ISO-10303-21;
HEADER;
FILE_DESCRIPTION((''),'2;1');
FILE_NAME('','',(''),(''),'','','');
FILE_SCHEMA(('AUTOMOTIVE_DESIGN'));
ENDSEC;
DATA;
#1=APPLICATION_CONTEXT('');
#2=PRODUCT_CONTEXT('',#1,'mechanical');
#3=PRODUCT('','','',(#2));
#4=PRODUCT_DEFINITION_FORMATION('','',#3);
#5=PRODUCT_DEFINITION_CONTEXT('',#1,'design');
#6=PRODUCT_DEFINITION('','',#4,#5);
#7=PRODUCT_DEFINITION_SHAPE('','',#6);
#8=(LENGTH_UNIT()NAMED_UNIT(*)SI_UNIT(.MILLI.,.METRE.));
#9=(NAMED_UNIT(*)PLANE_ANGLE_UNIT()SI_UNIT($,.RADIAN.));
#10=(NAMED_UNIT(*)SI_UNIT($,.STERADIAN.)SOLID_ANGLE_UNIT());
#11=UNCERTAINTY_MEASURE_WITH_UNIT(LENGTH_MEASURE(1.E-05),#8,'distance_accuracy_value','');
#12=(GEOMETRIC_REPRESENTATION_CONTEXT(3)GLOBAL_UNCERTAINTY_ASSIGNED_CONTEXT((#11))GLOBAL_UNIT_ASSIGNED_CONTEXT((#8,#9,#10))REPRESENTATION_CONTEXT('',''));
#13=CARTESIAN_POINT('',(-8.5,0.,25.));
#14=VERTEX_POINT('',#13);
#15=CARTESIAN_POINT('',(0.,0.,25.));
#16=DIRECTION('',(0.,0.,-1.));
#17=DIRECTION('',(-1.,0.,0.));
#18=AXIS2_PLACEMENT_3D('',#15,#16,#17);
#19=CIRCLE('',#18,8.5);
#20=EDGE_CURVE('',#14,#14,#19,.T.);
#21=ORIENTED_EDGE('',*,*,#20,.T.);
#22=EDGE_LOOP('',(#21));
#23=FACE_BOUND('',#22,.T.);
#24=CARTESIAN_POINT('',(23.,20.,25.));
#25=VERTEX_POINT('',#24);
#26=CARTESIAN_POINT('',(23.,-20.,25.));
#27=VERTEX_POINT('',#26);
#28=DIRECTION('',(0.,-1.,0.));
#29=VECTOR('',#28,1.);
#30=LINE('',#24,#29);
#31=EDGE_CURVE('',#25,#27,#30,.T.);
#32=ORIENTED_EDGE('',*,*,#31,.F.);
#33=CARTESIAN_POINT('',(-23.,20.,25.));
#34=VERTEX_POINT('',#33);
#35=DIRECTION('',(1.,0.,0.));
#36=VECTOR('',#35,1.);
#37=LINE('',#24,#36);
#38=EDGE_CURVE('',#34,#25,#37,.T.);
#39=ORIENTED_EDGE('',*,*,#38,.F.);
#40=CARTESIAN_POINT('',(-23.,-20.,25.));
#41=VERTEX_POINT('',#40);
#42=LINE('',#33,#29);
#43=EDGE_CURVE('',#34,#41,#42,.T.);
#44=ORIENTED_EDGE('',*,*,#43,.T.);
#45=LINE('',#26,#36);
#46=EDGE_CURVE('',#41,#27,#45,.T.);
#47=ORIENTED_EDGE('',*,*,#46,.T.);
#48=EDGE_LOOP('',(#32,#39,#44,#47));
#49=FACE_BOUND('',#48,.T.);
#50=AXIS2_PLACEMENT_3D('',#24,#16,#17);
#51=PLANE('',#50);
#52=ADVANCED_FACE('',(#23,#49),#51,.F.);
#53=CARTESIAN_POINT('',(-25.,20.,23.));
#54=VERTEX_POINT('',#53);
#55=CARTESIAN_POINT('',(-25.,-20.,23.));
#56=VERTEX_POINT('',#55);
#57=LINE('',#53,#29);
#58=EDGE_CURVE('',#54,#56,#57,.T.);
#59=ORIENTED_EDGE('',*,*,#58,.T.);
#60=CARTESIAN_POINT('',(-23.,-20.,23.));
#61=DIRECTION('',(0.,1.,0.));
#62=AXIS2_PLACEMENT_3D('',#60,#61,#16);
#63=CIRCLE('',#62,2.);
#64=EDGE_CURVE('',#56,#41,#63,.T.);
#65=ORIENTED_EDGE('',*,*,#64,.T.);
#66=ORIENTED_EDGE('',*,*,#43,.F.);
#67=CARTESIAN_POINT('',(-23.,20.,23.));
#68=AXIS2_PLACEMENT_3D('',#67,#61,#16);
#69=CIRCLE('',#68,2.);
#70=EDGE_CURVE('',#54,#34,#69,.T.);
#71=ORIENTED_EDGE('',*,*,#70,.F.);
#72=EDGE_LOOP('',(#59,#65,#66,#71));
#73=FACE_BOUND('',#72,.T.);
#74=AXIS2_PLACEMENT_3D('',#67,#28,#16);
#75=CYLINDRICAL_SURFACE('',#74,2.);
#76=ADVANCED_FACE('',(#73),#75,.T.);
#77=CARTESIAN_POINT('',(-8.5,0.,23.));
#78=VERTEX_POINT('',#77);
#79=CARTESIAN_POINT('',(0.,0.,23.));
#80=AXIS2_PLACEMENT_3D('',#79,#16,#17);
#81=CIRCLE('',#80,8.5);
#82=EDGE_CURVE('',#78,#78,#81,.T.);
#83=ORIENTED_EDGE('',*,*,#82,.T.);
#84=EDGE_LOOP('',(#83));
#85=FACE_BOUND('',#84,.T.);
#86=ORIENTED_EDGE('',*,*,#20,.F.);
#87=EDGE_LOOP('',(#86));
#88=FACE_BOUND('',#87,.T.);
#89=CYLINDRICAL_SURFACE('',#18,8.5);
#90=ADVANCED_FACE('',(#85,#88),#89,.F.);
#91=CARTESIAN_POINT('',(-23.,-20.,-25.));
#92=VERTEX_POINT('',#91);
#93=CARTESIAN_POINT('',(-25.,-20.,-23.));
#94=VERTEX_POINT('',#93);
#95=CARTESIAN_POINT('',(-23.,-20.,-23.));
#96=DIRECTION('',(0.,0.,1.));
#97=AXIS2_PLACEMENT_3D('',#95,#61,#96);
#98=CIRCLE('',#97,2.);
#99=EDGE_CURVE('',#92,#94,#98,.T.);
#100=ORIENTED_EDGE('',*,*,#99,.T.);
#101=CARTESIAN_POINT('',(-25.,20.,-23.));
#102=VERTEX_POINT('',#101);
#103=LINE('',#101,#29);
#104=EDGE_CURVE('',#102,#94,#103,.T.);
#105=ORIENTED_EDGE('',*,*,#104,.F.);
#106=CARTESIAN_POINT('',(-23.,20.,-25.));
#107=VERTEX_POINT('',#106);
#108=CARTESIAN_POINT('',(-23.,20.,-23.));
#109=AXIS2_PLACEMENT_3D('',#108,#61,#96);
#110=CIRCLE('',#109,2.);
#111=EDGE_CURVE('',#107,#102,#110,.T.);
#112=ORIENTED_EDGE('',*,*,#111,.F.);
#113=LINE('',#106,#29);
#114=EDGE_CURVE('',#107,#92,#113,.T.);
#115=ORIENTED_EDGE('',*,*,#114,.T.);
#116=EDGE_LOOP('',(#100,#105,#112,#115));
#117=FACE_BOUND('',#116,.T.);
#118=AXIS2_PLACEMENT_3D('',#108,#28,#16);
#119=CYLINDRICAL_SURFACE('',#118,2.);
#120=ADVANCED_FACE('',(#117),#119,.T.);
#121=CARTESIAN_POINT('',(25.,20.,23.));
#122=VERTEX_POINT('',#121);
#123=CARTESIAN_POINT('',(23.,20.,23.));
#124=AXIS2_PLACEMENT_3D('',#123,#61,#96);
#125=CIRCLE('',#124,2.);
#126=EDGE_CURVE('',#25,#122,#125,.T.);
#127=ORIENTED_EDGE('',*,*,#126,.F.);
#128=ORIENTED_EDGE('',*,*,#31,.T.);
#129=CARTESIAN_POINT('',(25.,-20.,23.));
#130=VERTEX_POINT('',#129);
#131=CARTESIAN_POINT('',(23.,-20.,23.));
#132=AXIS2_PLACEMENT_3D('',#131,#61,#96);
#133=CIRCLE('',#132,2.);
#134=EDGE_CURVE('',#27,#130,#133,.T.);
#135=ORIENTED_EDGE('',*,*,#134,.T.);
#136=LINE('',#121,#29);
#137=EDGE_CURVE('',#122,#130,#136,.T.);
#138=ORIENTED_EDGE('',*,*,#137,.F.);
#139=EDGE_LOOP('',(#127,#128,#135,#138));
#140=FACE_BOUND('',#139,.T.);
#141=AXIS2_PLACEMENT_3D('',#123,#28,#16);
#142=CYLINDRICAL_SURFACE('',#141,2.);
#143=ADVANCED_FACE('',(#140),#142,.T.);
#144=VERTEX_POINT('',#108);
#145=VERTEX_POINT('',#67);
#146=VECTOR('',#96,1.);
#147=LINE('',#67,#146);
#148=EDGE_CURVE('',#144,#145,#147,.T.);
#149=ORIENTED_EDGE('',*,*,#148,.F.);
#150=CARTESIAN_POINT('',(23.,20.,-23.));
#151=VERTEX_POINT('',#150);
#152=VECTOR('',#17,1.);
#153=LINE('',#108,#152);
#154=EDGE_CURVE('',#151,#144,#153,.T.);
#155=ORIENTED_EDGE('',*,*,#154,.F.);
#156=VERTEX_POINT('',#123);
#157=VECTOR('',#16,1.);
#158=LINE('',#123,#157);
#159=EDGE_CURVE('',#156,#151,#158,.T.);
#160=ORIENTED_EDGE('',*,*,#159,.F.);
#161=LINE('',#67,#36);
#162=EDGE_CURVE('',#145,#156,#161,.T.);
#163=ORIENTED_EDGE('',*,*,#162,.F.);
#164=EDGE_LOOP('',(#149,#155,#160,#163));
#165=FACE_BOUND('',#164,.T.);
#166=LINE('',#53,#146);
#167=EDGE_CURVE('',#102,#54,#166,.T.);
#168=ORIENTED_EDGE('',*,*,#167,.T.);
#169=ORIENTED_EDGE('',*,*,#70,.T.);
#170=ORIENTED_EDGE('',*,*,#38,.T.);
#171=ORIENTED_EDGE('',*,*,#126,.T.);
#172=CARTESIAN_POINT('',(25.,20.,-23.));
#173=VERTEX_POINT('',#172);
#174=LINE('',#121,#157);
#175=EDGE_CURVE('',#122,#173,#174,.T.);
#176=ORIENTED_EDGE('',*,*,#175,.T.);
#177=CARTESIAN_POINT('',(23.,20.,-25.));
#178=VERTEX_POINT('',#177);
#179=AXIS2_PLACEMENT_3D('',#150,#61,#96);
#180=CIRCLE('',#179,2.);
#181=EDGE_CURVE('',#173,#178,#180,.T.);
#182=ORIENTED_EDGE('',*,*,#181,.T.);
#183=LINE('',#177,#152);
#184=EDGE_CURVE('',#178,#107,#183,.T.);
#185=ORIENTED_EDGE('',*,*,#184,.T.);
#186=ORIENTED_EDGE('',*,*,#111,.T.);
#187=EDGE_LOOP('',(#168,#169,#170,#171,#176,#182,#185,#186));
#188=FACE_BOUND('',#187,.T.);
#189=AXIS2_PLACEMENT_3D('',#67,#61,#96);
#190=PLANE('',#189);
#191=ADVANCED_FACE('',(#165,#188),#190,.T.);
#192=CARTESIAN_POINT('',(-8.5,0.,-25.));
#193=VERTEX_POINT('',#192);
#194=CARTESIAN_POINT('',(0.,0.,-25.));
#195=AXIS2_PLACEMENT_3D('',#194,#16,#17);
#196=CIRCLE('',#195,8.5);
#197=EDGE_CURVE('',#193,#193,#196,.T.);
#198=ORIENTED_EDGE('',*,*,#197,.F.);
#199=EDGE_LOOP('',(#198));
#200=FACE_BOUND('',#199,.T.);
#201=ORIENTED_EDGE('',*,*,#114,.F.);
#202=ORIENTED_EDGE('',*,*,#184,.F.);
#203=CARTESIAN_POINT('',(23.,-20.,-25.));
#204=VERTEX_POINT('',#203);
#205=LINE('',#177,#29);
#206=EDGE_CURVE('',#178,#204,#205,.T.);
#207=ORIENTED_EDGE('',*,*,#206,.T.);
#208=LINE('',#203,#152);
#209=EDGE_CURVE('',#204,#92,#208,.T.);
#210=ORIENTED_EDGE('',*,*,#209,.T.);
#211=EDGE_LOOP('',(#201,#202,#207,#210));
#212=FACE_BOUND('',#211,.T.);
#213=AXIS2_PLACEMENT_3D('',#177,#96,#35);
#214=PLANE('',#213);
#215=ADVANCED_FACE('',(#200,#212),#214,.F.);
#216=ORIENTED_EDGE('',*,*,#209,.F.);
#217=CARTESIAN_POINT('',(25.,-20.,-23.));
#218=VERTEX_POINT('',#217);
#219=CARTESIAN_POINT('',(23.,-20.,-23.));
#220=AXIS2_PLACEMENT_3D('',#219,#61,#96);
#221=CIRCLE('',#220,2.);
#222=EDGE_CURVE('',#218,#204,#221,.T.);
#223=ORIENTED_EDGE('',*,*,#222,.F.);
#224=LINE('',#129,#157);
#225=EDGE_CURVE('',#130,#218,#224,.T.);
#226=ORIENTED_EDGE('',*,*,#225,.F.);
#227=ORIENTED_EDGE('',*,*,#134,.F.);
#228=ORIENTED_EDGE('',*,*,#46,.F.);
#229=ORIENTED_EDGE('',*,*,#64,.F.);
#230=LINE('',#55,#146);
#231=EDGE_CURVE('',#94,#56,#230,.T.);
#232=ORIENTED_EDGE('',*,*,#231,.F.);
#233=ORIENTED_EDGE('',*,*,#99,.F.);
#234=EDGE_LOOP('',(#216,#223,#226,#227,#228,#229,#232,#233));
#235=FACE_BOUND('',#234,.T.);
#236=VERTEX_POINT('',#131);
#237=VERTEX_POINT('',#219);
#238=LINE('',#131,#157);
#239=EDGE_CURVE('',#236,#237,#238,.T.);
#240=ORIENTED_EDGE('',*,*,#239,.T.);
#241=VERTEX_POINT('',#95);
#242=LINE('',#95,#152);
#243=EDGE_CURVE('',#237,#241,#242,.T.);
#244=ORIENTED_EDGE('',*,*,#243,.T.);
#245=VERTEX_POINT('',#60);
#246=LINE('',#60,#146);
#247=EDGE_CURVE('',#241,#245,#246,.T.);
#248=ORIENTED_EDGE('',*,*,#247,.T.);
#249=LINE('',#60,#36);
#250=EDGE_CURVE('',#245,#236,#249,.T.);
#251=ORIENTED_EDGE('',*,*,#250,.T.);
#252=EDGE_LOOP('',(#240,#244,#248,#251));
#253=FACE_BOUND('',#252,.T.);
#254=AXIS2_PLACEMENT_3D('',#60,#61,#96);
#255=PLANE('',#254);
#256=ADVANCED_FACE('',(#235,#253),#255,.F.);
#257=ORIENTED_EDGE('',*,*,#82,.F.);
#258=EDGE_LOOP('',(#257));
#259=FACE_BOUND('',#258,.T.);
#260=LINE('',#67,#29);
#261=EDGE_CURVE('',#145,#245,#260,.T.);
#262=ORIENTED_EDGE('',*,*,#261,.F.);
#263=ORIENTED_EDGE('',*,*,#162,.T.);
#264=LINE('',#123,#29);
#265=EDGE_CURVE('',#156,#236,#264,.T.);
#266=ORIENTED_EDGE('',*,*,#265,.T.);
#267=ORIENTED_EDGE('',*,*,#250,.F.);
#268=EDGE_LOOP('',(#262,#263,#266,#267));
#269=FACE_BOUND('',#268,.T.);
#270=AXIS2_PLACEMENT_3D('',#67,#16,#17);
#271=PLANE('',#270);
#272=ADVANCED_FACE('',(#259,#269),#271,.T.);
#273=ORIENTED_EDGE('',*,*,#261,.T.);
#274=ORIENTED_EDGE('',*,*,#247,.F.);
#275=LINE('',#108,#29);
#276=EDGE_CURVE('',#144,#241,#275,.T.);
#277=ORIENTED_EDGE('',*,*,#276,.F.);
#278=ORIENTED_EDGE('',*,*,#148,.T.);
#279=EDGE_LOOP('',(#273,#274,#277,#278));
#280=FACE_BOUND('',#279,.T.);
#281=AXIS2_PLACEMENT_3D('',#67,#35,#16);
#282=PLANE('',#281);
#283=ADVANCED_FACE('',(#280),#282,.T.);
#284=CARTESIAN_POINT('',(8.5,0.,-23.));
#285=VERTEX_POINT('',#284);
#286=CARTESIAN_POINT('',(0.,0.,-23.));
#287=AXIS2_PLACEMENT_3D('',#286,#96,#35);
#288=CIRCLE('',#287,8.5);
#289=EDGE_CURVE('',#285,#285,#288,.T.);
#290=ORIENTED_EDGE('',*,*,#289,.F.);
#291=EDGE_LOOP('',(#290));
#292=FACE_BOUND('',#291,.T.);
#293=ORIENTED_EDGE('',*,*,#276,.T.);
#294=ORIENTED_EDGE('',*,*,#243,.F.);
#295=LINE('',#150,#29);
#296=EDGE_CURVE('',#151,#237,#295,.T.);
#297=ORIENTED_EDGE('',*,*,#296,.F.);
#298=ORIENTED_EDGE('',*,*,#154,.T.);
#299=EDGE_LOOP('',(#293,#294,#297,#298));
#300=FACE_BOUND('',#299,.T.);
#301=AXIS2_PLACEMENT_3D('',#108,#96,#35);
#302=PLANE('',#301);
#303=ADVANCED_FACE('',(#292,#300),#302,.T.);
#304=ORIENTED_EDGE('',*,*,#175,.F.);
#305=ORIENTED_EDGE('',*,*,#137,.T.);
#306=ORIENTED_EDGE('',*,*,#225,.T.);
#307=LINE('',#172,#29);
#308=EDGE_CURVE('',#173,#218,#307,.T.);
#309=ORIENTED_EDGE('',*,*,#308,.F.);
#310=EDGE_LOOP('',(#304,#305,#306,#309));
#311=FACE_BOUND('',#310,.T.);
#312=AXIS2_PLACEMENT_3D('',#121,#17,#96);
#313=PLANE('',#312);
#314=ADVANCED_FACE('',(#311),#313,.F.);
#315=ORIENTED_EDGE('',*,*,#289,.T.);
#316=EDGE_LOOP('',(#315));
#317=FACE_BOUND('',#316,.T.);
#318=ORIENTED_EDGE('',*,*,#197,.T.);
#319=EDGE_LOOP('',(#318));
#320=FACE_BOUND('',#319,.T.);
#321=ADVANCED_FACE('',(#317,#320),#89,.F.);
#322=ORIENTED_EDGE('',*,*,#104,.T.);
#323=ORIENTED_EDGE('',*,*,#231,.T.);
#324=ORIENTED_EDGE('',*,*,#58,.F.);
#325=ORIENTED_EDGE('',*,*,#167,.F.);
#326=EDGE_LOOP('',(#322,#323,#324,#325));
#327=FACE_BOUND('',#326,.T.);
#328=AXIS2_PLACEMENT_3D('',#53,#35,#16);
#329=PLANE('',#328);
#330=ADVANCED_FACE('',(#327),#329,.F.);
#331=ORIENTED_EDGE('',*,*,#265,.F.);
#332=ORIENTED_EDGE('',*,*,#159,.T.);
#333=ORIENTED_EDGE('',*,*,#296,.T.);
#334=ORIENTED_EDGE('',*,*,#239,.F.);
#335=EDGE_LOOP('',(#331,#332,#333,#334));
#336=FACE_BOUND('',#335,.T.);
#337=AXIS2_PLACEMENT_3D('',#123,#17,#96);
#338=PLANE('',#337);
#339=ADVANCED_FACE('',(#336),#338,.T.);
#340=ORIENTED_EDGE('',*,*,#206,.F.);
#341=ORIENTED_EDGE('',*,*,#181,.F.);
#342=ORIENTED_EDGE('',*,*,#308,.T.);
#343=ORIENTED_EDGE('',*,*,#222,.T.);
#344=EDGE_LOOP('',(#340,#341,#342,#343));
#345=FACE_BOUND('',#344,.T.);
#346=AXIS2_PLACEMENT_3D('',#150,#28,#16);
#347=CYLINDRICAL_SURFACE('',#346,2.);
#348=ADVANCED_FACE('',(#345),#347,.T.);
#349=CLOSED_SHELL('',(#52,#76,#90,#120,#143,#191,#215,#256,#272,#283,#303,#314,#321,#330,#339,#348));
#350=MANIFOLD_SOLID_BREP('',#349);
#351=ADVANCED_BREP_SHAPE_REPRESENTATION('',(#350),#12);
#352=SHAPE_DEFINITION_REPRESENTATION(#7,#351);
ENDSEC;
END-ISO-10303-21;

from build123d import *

# Parameters (mm, degrees)
SKETCH1_W               = 46
SKETCH1_H               = 46
EXTRUDE_THIN1_DEPTH     = 20
CUT_EXTRUDE1_DEPTH      = 58.697486947
CUT_EXTRUDE1_DEPTH_BACK = 58.697486947
SKETCH2_R               = 8.5


with BuildPart() as part:
    # Sketch1 → Extrude-Thin1 (new, symmetric)
    with BuildSketch(Plane(origin=(0, 0, 0), x_dir=(1, 0, 0), z_dir=(0, 1, 0))):
        with BuildLine():
            Line((-23, 25), (23, 25))
            ThreePointArc((23, 25), (24.414213562, 24.414213562), (25, 23))
            Line((25, 23), (25, -23))
            ThreePointArc((25, -23), (24.414213562, -24.414213562), (23, -25))
            Line((23, -25), (-23, -25))
            ThreePointArc((-23, -25), (-24.414213562, -24.414213562), (-25, -23))
            Line((-25, -23), (-25, 23))
            ThreePointArc((-25, 23), (-24.414213562, 24.414213562), (-23, 25))
        make_face()
        Rectangle(SKETCH1_W, SKETCH1_H, mode=Mode.SUBTRACT)
    extrude(amount=EXTRUDE_THIN1_DEPTH, both=True)

    # Sketch2 → Cut-Extrude1 (cut, two sides: drawn at the far end of the back side and taken through both)
    with BuildSketch(Plane(origin=(0, 0, 23), x_dir=(-1, 0, 0), z_dir=(0, 0, -1)).offset(-CUT_EXTRUDE1_DEPTH_BACK)):
        Circle(SKETCH2_R)
    extrude(amount=CUT_EXTRUDE1_DEPTH + CUT_EXTRUDE1_DEPTH_BACK, mode=Mode.SUBTRACT)


solid = part.part
